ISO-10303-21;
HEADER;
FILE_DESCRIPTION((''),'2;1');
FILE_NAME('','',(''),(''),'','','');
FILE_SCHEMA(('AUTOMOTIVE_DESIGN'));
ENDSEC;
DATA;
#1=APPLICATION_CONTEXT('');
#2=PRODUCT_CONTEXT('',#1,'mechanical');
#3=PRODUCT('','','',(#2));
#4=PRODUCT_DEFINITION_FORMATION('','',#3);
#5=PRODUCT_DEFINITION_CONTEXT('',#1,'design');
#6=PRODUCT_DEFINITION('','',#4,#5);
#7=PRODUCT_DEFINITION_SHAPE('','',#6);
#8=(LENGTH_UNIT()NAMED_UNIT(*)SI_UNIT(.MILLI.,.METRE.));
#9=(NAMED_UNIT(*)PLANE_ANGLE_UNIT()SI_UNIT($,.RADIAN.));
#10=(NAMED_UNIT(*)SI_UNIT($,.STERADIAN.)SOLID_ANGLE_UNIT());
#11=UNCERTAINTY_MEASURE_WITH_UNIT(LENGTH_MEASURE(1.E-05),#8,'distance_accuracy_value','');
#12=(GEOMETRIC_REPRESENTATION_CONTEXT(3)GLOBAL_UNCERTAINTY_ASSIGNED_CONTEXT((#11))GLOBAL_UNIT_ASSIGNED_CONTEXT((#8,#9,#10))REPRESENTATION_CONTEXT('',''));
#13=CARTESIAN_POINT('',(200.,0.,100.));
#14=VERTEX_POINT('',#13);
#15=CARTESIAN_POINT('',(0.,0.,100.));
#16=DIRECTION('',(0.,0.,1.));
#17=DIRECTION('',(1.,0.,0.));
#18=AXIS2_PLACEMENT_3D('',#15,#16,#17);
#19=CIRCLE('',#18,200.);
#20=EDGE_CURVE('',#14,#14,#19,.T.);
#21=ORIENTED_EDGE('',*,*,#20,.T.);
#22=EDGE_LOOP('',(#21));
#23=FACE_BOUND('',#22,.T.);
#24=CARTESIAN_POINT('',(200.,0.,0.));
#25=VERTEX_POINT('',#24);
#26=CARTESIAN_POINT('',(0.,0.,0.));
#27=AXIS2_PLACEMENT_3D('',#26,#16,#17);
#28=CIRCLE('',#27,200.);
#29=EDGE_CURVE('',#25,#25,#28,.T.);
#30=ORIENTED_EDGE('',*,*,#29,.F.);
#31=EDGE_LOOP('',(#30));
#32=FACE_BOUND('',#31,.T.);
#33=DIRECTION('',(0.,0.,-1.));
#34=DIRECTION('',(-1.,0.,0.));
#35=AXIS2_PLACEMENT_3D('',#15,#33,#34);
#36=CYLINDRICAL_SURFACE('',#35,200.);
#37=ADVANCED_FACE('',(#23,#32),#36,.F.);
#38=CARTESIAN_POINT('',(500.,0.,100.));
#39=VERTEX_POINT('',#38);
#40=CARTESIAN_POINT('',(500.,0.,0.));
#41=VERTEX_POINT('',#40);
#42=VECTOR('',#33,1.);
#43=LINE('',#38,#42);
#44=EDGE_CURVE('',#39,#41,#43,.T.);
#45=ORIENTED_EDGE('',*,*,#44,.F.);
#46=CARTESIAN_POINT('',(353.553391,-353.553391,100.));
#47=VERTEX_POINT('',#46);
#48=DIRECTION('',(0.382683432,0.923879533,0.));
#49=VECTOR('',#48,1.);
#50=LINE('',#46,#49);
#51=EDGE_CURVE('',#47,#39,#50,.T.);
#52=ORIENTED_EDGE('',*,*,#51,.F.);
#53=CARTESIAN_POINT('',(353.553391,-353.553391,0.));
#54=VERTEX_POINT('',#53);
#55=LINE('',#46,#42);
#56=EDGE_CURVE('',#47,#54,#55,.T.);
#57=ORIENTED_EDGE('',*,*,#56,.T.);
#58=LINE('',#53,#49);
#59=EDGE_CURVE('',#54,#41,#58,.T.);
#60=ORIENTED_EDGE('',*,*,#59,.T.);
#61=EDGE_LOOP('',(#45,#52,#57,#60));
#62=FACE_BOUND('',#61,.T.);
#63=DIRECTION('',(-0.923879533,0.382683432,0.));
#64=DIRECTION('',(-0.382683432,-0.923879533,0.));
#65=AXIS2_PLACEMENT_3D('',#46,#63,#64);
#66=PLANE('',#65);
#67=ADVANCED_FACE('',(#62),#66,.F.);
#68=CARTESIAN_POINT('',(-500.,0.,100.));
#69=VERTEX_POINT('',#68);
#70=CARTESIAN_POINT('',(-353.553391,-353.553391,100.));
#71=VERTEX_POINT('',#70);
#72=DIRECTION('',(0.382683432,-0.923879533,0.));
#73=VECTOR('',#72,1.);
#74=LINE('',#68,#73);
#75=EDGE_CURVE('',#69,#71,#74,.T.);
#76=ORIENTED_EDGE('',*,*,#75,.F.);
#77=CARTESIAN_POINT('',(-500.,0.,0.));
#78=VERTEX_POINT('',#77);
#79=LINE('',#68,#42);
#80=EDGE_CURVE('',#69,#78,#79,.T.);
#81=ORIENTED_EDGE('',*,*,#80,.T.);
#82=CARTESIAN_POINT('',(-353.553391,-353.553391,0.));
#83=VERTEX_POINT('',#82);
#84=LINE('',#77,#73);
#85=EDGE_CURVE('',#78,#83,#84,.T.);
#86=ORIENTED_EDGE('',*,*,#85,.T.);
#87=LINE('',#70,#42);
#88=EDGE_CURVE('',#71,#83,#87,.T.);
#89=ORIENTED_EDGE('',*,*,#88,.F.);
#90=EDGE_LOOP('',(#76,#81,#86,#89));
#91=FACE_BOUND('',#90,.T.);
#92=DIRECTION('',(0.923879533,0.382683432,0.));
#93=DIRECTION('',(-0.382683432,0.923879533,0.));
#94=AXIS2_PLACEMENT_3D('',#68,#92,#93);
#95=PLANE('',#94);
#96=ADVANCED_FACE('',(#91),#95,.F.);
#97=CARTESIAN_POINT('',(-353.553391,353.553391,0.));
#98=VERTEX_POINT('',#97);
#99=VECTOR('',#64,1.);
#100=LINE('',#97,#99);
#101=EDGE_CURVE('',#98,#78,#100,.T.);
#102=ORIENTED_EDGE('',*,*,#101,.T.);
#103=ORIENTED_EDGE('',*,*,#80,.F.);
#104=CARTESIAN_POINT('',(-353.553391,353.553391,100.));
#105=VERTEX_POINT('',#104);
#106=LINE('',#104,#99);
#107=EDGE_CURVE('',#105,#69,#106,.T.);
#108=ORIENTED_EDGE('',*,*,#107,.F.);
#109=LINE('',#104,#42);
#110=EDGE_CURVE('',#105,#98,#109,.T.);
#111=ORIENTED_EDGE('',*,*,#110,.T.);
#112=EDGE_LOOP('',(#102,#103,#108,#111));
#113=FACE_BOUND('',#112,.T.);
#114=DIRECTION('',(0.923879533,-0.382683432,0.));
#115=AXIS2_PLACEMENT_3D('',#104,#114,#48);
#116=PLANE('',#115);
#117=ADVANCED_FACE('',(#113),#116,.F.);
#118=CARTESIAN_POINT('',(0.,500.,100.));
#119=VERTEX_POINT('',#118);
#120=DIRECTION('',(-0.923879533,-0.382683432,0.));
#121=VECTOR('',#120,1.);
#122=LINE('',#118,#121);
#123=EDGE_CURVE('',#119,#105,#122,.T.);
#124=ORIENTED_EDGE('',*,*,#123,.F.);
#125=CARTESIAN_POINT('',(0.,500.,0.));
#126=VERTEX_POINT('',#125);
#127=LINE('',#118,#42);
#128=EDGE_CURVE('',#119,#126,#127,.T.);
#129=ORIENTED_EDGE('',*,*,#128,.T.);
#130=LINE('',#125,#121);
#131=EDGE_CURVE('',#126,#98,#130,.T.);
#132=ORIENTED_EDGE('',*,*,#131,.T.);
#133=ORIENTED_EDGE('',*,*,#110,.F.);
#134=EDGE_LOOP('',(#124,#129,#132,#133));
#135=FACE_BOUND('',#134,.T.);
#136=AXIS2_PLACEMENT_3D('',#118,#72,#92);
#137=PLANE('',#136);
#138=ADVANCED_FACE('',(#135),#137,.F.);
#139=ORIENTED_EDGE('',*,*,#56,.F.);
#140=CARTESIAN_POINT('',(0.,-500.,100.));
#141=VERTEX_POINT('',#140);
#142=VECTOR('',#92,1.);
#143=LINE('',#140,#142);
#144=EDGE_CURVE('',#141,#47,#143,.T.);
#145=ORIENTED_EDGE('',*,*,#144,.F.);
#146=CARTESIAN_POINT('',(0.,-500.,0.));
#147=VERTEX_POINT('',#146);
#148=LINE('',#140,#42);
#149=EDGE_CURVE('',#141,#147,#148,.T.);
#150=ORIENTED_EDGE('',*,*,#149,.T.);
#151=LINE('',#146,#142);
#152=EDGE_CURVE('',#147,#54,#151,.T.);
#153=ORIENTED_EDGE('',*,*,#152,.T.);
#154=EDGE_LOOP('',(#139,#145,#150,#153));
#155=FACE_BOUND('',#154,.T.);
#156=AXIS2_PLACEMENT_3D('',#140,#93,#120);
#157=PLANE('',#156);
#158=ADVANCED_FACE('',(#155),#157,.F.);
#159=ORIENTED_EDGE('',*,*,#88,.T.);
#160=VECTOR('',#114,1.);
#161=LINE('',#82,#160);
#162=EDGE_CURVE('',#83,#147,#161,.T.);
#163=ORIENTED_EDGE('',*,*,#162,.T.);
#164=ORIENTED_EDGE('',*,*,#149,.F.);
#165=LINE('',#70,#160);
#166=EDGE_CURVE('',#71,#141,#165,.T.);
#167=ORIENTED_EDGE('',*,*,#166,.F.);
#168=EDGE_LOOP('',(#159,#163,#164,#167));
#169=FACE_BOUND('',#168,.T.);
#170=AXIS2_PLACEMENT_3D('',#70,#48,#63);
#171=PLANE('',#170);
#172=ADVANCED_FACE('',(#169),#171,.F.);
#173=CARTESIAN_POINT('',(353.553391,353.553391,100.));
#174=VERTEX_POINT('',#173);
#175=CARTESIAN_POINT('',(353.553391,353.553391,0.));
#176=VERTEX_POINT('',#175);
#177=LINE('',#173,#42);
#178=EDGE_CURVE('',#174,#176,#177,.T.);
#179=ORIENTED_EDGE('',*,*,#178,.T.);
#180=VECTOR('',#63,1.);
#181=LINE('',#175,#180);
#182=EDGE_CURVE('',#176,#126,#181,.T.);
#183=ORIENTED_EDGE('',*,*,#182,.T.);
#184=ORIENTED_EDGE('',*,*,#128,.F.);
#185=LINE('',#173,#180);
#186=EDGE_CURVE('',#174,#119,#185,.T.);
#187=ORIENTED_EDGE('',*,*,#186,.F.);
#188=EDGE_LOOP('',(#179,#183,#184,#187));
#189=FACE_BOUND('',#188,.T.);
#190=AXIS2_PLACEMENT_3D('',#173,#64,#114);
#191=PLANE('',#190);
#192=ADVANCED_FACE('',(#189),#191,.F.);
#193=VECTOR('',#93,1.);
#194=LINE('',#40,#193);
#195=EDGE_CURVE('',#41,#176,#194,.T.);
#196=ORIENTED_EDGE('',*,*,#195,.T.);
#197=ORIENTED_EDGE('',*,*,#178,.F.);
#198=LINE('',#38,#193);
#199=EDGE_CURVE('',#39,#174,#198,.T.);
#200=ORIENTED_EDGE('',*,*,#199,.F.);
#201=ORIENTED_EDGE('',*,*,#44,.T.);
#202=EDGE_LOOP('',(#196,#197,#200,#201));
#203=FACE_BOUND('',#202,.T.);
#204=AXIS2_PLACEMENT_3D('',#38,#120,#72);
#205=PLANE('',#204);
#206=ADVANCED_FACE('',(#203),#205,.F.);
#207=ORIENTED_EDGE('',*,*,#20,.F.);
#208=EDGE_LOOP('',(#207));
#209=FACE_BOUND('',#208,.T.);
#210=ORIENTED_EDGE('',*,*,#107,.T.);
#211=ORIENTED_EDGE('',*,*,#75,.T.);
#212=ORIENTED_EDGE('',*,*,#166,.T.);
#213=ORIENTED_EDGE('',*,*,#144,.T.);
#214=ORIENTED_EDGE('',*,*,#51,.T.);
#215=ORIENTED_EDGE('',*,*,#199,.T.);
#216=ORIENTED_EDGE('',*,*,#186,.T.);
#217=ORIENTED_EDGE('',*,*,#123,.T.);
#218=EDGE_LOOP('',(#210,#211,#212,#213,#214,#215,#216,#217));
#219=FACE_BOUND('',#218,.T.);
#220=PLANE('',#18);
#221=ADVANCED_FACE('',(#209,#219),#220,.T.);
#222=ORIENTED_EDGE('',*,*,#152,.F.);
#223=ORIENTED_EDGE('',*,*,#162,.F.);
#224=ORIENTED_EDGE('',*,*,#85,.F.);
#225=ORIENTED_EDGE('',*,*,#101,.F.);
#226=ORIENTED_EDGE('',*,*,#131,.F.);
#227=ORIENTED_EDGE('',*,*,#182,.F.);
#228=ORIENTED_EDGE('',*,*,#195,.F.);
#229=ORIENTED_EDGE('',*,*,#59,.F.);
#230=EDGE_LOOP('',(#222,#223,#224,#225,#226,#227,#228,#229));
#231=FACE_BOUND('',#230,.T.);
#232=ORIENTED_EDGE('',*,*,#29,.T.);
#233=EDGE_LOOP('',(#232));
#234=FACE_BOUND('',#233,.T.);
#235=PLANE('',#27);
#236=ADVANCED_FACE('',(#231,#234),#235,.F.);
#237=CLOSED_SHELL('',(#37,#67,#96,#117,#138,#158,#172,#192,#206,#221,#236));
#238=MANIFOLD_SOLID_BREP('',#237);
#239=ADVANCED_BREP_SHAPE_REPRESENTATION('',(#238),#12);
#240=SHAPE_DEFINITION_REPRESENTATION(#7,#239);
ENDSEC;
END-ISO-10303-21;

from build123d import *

# Parameters (mm, degrees)
EXTRUDE_1_DEPTH     = 100
SKETCH_2_R          = 200
CUT_EXTRUDE_2_DEPTH = 715.142842854


with BuildPart() as part:
    # 草图1 → 凸台-拉伸1 (new body)
    with BuildSketch(Plane.XY):
        Polygon((500, 0), (353.553390593, 353.553390593), (0, 500), (-353.553390593, 353.553390593), (-500, 0), (-353.553390593, -353.553390593), (0, -500), (353.553390593, -353.553390593), align=None)
    extrude(amount=EXTRUDE_1_DEPTH)

    # 草图2 → 切除-拉伸2 (cut, through all)
    with BuildSketch(Plane.XY):
        Circle(SKETCH_2_R)
    extrude(amount=CUT_EXTRUDE_2_DEPTH, mode=Mode.SUBTRACT)


solid = part.part
